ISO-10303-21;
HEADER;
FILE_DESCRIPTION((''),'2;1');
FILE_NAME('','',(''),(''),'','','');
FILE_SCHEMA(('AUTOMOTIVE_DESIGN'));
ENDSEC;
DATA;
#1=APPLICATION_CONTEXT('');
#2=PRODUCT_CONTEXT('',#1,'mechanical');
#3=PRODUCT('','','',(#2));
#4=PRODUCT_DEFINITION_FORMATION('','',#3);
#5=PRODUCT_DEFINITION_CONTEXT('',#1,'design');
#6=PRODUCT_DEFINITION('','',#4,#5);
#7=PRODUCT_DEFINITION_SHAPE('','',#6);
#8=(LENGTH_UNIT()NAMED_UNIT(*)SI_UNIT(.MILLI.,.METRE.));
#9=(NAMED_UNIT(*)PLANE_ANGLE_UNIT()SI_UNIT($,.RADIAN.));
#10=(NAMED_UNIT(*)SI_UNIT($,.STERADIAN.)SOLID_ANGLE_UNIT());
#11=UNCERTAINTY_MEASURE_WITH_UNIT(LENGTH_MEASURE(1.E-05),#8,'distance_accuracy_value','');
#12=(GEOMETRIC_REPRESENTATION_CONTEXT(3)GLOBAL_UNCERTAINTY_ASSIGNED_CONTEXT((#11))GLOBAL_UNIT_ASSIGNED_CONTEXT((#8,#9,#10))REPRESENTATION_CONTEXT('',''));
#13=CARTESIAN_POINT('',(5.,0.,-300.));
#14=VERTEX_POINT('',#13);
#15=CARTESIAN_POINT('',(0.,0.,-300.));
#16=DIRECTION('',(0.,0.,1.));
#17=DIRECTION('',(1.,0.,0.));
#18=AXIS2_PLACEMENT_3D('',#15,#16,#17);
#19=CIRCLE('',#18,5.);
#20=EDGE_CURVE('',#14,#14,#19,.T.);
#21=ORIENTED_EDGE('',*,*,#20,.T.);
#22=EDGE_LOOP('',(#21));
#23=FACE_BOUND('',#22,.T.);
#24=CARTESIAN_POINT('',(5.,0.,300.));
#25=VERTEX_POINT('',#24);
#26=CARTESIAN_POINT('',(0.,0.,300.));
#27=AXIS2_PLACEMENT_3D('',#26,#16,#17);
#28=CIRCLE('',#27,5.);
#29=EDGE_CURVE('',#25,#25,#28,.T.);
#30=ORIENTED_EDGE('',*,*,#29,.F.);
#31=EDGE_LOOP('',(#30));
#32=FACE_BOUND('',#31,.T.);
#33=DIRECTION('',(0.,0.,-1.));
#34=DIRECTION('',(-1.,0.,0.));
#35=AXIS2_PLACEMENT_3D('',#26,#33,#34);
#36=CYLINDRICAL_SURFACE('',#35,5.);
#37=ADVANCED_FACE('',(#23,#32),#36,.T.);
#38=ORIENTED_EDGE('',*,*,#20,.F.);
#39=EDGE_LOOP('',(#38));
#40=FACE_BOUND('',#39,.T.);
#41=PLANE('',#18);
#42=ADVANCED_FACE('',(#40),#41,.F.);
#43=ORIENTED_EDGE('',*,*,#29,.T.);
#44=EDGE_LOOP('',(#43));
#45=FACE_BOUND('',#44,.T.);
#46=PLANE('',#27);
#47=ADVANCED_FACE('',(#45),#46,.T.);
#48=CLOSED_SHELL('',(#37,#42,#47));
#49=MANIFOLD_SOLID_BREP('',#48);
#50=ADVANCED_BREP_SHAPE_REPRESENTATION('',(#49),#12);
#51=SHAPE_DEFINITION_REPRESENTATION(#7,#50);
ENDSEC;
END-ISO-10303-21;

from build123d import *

# Parameters (mm, degrees)
SKETCH1_R           = 5
BOSS_EXTRUDE1_DEPTH = 300


with BuildPart() as part:
    # Sketch1 → Boss-Extrude1 (new body, symmetric)
    with BuildSketch(Plane.XY):
        Circle(SKETCH1_R)
    extrude(amount=BOSS_EXTRUDE1_DEPTH, both=True)


solid = part.part
